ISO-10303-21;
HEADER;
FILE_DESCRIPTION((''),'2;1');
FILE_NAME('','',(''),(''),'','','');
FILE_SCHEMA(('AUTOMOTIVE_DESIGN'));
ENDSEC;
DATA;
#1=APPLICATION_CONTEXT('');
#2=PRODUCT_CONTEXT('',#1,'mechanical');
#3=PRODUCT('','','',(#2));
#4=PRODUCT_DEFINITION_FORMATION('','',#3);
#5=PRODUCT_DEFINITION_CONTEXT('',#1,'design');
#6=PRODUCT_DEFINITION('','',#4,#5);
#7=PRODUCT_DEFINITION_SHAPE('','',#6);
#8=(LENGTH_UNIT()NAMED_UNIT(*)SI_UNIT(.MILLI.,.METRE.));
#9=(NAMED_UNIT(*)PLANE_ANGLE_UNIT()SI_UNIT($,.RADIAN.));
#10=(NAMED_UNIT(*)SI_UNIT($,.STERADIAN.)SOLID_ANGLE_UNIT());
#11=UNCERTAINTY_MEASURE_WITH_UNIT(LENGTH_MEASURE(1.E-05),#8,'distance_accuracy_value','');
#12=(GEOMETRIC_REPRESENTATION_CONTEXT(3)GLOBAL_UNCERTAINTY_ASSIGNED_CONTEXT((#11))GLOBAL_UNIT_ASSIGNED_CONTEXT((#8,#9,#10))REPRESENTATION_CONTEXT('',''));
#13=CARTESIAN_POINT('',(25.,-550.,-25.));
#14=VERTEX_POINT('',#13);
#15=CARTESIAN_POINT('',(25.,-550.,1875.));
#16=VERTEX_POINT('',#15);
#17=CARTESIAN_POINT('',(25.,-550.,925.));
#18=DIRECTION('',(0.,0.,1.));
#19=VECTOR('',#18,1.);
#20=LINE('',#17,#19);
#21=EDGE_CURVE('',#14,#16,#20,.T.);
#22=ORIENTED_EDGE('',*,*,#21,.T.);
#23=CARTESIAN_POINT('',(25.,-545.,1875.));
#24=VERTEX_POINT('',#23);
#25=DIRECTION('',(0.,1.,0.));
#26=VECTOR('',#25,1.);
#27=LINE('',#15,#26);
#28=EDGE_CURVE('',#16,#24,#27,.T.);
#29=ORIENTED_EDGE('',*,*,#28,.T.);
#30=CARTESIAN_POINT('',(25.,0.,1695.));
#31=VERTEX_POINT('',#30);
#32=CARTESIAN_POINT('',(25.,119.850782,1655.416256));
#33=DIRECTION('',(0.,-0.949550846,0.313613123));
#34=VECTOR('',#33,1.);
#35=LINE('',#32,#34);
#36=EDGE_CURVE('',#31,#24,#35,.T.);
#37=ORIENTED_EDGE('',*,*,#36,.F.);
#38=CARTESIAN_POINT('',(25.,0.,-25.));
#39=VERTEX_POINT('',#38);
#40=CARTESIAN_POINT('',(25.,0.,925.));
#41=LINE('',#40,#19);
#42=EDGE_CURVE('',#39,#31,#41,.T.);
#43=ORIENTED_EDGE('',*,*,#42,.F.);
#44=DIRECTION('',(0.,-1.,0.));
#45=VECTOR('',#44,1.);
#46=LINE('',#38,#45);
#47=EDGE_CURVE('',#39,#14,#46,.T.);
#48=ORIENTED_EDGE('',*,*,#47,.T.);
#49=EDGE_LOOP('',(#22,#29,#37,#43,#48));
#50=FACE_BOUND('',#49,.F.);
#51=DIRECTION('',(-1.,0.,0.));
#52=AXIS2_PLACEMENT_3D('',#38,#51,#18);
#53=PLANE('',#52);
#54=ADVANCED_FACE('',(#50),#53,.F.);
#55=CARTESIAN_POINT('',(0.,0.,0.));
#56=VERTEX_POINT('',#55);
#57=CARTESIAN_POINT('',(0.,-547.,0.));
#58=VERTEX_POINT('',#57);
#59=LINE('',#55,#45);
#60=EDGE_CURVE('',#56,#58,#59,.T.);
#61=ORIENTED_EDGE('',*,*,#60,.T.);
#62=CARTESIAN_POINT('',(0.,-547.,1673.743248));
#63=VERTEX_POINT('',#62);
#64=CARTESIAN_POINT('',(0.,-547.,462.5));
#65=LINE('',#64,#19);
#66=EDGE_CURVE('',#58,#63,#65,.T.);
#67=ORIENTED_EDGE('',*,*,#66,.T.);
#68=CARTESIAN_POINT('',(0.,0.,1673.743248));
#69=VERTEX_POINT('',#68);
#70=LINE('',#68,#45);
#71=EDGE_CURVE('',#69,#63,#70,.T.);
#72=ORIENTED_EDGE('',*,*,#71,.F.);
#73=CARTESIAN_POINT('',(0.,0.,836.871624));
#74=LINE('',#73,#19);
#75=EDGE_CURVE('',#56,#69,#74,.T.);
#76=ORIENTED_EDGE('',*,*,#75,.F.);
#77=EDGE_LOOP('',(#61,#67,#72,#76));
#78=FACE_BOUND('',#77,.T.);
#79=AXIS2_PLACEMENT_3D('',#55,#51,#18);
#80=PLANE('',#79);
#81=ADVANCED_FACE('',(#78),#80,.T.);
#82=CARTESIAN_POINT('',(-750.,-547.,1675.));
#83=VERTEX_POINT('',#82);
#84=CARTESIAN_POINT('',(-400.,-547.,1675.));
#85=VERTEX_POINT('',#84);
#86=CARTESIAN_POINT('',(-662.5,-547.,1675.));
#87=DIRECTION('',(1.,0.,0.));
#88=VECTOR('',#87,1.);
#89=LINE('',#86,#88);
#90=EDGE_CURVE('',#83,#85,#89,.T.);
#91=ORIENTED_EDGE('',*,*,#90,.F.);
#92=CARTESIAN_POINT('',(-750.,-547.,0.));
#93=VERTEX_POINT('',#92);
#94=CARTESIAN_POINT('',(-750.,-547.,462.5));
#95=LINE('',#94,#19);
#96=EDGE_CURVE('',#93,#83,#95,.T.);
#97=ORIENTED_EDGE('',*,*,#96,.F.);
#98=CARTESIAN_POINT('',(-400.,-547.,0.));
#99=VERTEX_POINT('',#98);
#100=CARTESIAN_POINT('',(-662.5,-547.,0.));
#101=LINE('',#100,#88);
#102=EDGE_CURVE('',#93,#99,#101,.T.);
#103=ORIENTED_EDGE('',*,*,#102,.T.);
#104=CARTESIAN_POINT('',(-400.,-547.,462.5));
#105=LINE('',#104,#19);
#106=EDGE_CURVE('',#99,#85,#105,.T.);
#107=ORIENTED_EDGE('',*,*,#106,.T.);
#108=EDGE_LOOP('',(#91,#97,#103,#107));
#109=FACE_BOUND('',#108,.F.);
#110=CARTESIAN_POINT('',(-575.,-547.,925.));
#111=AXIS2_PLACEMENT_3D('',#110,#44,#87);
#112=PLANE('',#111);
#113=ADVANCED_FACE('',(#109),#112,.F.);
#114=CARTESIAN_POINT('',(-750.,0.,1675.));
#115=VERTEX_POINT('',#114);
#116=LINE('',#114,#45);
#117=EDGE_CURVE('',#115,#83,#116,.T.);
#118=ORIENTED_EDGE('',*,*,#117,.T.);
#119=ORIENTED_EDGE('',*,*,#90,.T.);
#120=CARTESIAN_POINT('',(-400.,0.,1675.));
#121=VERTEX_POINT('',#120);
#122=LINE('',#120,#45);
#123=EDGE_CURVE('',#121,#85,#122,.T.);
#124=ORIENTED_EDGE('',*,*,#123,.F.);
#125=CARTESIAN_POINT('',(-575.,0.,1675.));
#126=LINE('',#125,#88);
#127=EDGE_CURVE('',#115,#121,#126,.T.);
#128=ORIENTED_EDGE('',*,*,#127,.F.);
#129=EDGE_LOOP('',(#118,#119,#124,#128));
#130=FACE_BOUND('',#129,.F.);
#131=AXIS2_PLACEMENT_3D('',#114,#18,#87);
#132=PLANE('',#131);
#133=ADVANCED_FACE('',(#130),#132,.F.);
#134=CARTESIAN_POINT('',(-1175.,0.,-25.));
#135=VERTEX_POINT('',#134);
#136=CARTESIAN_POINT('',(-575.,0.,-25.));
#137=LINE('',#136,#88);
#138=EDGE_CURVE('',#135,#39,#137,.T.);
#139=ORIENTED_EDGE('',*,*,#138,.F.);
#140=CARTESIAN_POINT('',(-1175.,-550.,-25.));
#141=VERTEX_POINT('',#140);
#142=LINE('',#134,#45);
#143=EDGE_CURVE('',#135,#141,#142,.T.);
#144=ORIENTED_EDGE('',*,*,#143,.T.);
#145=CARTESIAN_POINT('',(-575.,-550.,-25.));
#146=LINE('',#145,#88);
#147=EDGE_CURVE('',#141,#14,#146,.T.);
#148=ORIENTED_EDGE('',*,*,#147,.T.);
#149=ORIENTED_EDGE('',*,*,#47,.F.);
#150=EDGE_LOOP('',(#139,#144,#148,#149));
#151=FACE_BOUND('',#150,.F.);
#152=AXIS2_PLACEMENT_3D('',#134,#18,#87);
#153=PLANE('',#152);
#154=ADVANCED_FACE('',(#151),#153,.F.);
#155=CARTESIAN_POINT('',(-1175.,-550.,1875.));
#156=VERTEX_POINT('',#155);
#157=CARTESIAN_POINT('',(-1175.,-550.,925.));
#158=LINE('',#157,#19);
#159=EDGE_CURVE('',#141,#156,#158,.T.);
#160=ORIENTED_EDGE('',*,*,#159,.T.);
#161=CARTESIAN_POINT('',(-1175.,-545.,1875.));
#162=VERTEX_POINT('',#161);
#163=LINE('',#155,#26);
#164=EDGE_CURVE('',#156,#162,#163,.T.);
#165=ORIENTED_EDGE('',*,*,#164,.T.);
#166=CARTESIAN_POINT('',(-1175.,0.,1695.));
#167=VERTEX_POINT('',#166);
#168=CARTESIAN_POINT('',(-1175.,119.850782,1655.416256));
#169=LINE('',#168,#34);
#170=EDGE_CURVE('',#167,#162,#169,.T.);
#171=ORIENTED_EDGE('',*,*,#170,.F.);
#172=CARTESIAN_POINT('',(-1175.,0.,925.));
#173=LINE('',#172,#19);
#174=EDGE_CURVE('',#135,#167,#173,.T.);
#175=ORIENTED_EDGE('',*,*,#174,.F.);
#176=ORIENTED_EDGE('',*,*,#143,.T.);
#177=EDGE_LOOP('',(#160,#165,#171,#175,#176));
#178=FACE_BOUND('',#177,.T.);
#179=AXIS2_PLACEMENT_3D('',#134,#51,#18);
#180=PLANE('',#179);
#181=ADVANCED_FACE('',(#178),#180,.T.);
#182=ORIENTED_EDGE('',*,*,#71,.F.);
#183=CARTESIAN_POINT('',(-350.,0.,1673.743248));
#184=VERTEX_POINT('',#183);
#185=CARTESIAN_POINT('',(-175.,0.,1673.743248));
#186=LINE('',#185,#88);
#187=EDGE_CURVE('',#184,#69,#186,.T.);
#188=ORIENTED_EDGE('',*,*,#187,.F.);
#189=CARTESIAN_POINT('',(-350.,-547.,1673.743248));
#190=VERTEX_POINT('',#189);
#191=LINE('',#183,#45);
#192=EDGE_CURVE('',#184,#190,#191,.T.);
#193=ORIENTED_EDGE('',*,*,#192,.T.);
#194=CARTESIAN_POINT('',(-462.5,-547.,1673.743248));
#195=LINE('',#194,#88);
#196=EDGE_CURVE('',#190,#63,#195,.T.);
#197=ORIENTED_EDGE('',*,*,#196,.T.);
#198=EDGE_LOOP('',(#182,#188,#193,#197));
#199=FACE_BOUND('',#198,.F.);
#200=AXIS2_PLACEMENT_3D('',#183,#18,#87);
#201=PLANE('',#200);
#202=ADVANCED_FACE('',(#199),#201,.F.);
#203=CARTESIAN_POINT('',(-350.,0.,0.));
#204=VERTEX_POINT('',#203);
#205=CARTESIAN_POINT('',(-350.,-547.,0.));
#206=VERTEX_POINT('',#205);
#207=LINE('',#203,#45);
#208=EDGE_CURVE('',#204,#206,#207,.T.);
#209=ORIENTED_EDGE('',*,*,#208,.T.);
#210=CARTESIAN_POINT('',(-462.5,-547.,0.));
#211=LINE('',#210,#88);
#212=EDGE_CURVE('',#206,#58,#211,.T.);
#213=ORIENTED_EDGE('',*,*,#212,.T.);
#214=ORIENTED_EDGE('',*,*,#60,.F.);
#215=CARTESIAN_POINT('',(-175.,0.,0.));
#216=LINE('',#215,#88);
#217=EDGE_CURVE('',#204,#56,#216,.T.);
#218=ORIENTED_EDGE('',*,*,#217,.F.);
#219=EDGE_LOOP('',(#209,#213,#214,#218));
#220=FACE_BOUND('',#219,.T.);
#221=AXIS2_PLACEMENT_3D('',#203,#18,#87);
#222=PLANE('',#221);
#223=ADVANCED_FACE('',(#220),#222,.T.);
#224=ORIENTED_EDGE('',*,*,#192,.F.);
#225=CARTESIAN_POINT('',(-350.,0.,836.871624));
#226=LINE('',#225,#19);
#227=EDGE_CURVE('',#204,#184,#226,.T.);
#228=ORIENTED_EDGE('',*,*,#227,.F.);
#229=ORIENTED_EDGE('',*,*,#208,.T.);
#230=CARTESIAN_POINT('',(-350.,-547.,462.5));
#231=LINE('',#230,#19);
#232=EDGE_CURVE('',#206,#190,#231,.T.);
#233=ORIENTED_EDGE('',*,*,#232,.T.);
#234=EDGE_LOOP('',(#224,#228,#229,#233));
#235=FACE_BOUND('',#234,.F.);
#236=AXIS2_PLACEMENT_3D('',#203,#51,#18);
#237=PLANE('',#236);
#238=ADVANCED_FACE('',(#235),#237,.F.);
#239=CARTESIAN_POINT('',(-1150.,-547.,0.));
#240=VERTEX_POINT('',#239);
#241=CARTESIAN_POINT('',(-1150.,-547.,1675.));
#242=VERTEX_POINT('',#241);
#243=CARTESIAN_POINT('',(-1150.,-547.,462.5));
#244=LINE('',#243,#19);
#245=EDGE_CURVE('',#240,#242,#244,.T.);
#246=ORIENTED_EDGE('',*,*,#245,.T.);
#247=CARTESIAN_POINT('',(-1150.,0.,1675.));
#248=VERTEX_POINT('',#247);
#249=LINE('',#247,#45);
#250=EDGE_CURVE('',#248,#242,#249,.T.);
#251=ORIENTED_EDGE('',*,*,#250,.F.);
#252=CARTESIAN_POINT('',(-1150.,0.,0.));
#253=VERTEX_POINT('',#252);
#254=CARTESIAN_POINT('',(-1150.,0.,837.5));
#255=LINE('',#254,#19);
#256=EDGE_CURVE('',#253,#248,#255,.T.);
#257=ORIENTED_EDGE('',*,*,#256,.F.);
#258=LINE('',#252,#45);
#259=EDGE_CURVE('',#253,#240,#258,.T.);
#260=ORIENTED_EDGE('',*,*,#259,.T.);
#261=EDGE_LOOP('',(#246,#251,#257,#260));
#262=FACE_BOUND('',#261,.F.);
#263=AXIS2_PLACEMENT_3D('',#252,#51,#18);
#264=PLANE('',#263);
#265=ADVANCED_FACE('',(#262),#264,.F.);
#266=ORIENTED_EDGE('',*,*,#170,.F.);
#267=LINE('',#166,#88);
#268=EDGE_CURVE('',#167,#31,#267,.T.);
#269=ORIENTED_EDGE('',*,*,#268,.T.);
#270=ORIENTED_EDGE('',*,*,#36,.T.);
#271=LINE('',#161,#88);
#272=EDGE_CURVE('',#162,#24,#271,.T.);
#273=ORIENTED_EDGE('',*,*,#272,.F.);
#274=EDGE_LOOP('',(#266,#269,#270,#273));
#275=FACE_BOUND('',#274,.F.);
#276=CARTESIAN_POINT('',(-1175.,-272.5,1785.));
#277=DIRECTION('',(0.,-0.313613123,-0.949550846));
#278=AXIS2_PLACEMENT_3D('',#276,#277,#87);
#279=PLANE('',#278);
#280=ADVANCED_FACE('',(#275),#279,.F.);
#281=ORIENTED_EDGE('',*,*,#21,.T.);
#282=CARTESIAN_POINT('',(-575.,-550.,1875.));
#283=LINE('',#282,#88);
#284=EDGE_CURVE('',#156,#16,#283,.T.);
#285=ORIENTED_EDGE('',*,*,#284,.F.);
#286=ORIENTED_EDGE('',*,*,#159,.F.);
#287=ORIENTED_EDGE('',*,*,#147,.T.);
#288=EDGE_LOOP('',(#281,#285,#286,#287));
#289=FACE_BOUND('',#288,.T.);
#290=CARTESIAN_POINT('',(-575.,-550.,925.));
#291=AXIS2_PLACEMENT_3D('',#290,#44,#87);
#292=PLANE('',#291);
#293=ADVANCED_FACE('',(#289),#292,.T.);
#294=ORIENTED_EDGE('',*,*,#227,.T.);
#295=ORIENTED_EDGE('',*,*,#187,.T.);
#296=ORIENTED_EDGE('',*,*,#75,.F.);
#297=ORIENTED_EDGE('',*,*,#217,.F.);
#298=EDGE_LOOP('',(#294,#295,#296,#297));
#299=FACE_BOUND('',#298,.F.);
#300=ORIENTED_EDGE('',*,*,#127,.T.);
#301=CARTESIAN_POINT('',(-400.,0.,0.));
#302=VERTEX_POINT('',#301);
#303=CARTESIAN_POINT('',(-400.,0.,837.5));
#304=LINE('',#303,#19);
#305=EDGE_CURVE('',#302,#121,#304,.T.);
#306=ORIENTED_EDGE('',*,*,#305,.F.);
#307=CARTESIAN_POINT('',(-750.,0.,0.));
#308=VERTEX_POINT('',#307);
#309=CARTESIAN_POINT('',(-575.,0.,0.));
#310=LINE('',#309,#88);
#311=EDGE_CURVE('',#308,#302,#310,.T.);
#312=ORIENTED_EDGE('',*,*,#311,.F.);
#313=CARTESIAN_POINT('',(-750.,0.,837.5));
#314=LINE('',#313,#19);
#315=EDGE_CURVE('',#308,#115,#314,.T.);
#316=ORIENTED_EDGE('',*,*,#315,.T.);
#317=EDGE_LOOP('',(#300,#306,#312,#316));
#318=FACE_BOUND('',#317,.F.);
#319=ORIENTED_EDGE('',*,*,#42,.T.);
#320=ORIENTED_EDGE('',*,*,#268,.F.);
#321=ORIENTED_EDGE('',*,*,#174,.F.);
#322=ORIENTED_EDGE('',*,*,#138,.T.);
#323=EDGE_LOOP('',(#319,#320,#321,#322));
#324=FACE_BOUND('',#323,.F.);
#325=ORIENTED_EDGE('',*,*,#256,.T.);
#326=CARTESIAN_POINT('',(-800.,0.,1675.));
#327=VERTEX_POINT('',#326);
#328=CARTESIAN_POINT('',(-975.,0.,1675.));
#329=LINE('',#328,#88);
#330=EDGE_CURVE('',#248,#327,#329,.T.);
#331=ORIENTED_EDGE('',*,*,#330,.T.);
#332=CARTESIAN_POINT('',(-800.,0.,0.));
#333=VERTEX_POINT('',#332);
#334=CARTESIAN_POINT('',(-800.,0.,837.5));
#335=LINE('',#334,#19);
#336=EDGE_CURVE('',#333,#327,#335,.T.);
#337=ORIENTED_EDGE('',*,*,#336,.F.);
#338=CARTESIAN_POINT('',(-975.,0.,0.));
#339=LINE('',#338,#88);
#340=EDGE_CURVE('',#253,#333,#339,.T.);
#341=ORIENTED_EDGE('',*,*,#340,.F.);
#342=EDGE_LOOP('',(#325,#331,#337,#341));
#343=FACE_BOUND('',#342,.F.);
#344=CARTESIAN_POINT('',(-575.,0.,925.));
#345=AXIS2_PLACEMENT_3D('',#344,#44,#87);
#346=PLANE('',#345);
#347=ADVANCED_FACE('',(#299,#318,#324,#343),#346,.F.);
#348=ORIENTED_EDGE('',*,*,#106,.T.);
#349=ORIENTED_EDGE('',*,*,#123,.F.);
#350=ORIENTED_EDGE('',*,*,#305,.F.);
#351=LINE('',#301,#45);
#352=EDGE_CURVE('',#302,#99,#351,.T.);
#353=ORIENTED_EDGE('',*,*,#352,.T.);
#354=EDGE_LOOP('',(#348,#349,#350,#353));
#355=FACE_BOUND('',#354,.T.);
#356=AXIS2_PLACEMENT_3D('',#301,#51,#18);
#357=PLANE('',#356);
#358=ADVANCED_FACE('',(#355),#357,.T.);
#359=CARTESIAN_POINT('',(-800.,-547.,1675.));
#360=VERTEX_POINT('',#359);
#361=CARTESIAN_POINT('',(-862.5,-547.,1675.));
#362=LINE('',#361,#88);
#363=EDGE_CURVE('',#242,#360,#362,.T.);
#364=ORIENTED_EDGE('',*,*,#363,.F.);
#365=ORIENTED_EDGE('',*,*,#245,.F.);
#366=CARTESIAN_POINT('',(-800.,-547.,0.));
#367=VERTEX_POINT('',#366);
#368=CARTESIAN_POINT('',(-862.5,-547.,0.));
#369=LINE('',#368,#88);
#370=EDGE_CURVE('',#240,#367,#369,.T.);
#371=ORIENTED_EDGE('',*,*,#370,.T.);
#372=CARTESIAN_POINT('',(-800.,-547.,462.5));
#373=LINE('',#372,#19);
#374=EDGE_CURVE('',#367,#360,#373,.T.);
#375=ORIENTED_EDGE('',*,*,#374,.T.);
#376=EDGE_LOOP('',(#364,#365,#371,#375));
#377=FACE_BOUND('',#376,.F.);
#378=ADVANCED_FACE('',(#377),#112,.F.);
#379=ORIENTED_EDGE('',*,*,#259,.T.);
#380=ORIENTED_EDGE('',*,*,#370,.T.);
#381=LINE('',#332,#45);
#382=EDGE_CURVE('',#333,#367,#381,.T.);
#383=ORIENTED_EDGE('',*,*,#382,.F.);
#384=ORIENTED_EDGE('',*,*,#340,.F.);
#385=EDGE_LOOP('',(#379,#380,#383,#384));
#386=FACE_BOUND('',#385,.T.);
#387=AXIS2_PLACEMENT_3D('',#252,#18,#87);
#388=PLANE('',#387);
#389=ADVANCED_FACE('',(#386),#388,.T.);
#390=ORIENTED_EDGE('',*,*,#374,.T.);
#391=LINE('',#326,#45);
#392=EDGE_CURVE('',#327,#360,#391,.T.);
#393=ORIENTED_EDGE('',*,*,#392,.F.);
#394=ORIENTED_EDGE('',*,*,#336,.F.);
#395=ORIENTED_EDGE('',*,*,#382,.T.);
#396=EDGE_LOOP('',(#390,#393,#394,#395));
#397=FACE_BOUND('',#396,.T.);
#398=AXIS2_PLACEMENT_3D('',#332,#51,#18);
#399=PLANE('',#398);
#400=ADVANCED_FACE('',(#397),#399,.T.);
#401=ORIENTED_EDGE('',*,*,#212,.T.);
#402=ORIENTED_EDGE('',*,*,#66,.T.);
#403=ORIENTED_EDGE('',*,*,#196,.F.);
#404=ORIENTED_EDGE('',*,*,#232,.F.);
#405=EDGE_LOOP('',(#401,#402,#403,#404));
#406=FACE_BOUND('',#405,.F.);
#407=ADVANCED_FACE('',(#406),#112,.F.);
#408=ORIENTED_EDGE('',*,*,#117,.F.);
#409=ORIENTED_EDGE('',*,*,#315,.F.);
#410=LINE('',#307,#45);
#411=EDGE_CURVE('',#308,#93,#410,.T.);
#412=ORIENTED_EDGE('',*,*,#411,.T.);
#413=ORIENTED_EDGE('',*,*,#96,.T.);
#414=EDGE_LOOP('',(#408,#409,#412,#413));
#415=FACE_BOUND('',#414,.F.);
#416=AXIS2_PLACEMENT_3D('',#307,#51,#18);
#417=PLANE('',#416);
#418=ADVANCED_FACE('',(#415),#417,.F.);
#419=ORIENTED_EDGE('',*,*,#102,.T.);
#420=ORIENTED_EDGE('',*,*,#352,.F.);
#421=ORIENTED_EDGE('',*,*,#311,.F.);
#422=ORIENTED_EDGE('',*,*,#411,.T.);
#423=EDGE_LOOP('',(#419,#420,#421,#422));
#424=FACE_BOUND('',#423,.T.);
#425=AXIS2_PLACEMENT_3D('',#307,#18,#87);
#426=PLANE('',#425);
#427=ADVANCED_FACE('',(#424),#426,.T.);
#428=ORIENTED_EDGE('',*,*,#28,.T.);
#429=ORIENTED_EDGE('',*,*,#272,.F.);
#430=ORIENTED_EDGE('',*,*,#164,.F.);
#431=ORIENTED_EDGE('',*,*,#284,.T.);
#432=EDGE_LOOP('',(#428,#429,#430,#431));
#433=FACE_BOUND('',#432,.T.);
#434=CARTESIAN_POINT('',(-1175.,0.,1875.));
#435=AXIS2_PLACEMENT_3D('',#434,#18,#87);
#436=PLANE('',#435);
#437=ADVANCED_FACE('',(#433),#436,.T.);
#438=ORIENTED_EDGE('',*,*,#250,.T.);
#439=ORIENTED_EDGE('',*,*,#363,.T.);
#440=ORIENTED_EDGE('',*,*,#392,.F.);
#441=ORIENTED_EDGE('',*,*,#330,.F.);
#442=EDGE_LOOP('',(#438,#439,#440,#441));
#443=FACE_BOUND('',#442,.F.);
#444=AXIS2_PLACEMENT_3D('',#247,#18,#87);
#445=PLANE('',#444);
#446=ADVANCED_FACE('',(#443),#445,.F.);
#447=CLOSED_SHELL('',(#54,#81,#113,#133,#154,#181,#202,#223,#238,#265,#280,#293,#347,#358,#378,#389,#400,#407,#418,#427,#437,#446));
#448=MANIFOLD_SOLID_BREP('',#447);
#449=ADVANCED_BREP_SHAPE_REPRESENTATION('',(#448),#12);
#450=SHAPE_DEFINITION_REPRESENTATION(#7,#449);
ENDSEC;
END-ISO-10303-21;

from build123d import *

# Parameters (mm, degrees)
F0_W     = 1200
F0_H     = 1900
F0_W_2   = 350
F0_H_2   = 1675
F0_H_3   = 1673.7432479858
F1_DEPTH = 550
F2_SIZE2 = 545
F2_SIZE  = 180
F3_START = 547
F3_DEPTH = 3


with BuildPart() as f1:
    # F0 (on Front) → F1 (new body)
    with BuildSketch(Plane.XZ):
        with Locations((-575, 925)):
            Rectangle(F0_W, F0_H)
        with Locations((-975, 837.5)):
            Rectangle(F0_W_2, F0_H_2, mode=Mode.SUBTRACT)
        with Locations((-575, 837.5)):
            Rectangle(F0_W_2, F0_H_2, mode=Mode.SUBTRACT)
        with Locations((-175, 836.8716239929)):
            Rectangle(F0_W_2, F0_H_3, mode=Mode.SUBTRACT)
    extrude(amount=F1_DEPTH)

    # F2
    f2_edges = [f1.edges().sort_by_distance(p)[0] for p in [
        (-575, 0, 1875),
    ]]
    f2_side = f1.faces().sort_by_distance((-575, 0, 1852.527795))[0]
    chamfer(f2_edges, length=F2_SIZE, length2=F2_SIZE2, reference=f2_side)

    # F0 (on Front) → F3 (join)
    with BuildSketch(Plane.XZ.offset(F3_START)):
        with Locations((-575, 925)):
            Rectangle(F0_W, F0_H)
        with Locations((-975, 837.5)):
            Rectangle(F0_W_2, F0_H_2, mode=Mode.SUBTRACT)
        with Locations((-575, 837.5)):
            Rectangle(F0_W_2, F0_H_2, mode=Mode.SUBTRACT)
        with Locations((-175, 836.8716239929)):
            Rectangle(F0_W_2, F0_H_3, mode=Mode.SUBTRACT)
        with Locations((-975, 837.5)):
            Rectangle(F0_W_2, F0_H_2)
        with Locations((-575, 837.5)):
            Rectangle(F0_W_2, F0_H_2)
        with Locations((-175, 836.8716239929)):
            Rectangle(F0_W_2, F0_H_3)
    extrude(amount=F3_DEPTH)


solid = f1.part
